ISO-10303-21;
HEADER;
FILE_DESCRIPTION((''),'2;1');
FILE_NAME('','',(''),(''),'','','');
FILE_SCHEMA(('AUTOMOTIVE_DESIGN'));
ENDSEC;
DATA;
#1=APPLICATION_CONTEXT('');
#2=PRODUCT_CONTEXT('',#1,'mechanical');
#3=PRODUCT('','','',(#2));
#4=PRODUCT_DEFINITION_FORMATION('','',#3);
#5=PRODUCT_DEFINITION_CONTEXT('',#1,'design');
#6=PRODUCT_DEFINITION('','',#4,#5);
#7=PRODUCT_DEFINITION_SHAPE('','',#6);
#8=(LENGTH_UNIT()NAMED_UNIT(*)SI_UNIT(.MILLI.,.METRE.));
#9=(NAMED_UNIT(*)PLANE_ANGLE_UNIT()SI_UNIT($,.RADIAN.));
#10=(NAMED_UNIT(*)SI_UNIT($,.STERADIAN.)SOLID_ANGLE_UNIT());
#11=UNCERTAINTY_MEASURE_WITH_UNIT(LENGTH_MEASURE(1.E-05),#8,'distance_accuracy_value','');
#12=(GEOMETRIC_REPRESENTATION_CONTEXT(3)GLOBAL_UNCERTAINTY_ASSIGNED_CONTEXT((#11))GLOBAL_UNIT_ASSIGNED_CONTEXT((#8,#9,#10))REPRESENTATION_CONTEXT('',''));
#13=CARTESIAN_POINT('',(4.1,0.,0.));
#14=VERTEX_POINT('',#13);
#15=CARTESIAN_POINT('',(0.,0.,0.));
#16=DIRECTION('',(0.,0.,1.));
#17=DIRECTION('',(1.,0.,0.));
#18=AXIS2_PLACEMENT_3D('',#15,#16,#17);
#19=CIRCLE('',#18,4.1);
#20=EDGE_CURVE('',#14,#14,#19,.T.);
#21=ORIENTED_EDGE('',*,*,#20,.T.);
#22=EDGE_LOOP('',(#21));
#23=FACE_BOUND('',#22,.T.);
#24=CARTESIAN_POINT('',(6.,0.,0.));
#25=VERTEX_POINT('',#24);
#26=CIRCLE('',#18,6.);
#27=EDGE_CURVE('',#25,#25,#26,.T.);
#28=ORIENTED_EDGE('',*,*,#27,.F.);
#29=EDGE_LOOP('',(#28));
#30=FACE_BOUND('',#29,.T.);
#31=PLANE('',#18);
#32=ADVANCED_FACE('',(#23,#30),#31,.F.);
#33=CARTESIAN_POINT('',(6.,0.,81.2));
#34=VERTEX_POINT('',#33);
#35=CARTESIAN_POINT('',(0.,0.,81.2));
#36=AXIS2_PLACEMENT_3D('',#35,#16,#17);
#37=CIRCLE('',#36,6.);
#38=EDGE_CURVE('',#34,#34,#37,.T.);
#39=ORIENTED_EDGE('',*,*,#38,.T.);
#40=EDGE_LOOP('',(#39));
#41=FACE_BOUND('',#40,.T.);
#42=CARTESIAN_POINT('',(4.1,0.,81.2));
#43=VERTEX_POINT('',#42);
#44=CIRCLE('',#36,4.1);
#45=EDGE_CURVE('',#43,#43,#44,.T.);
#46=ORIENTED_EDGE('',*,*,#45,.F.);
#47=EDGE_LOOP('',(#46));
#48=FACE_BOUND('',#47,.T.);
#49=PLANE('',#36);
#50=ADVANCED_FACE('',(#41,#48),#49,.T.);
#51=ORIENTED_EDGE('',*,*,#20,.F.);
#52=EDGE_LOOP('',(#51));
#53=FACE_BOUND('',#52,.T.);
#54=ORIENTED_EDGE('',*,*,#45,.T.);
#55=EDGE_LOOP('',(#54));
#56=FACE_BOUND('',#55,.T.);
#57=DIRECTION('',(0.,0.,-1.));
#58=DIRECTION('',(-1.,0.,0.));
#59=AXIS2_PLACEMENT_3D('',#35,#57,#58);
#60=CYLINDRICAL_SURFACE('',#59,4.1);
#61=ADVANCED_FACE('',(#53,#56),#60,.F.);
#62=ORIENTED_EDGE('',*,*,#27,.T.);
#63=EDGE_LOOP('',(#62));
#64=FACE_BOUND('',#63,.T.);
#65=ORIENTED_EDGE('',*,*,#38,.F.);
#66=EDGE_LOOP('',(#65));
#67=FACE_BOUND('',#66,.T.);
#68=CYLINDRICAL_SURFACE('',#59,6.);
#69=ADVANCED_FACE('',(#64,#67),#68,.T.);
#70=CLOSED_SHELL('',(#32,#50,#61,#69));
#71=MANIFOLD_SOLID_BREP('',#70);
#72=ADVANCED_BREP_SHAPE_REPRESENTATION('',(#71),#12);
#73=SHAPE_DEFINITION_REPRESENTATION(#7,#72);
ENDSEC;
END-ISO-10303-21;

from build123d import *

# Parameters (mm, degrees)
ESQUISSE1_R        = 6
ESQUISSE1_R_2      = 4.1
BOSS_EXTRU_1_DEPTH = 81.2


with BuildPart() as part:
    # Esquisse1 → Boss.-Extru.1 (new body)
    with BuildSketch(Plane.XY):
        Circle(ESQUISSE1_R)
        Circle(ESQUISSE1_R_2, mode=Mode.SUBTRACT)
    extrude(amount=BOSS_EXTRU_1_DEPTH)


solid = part.part
